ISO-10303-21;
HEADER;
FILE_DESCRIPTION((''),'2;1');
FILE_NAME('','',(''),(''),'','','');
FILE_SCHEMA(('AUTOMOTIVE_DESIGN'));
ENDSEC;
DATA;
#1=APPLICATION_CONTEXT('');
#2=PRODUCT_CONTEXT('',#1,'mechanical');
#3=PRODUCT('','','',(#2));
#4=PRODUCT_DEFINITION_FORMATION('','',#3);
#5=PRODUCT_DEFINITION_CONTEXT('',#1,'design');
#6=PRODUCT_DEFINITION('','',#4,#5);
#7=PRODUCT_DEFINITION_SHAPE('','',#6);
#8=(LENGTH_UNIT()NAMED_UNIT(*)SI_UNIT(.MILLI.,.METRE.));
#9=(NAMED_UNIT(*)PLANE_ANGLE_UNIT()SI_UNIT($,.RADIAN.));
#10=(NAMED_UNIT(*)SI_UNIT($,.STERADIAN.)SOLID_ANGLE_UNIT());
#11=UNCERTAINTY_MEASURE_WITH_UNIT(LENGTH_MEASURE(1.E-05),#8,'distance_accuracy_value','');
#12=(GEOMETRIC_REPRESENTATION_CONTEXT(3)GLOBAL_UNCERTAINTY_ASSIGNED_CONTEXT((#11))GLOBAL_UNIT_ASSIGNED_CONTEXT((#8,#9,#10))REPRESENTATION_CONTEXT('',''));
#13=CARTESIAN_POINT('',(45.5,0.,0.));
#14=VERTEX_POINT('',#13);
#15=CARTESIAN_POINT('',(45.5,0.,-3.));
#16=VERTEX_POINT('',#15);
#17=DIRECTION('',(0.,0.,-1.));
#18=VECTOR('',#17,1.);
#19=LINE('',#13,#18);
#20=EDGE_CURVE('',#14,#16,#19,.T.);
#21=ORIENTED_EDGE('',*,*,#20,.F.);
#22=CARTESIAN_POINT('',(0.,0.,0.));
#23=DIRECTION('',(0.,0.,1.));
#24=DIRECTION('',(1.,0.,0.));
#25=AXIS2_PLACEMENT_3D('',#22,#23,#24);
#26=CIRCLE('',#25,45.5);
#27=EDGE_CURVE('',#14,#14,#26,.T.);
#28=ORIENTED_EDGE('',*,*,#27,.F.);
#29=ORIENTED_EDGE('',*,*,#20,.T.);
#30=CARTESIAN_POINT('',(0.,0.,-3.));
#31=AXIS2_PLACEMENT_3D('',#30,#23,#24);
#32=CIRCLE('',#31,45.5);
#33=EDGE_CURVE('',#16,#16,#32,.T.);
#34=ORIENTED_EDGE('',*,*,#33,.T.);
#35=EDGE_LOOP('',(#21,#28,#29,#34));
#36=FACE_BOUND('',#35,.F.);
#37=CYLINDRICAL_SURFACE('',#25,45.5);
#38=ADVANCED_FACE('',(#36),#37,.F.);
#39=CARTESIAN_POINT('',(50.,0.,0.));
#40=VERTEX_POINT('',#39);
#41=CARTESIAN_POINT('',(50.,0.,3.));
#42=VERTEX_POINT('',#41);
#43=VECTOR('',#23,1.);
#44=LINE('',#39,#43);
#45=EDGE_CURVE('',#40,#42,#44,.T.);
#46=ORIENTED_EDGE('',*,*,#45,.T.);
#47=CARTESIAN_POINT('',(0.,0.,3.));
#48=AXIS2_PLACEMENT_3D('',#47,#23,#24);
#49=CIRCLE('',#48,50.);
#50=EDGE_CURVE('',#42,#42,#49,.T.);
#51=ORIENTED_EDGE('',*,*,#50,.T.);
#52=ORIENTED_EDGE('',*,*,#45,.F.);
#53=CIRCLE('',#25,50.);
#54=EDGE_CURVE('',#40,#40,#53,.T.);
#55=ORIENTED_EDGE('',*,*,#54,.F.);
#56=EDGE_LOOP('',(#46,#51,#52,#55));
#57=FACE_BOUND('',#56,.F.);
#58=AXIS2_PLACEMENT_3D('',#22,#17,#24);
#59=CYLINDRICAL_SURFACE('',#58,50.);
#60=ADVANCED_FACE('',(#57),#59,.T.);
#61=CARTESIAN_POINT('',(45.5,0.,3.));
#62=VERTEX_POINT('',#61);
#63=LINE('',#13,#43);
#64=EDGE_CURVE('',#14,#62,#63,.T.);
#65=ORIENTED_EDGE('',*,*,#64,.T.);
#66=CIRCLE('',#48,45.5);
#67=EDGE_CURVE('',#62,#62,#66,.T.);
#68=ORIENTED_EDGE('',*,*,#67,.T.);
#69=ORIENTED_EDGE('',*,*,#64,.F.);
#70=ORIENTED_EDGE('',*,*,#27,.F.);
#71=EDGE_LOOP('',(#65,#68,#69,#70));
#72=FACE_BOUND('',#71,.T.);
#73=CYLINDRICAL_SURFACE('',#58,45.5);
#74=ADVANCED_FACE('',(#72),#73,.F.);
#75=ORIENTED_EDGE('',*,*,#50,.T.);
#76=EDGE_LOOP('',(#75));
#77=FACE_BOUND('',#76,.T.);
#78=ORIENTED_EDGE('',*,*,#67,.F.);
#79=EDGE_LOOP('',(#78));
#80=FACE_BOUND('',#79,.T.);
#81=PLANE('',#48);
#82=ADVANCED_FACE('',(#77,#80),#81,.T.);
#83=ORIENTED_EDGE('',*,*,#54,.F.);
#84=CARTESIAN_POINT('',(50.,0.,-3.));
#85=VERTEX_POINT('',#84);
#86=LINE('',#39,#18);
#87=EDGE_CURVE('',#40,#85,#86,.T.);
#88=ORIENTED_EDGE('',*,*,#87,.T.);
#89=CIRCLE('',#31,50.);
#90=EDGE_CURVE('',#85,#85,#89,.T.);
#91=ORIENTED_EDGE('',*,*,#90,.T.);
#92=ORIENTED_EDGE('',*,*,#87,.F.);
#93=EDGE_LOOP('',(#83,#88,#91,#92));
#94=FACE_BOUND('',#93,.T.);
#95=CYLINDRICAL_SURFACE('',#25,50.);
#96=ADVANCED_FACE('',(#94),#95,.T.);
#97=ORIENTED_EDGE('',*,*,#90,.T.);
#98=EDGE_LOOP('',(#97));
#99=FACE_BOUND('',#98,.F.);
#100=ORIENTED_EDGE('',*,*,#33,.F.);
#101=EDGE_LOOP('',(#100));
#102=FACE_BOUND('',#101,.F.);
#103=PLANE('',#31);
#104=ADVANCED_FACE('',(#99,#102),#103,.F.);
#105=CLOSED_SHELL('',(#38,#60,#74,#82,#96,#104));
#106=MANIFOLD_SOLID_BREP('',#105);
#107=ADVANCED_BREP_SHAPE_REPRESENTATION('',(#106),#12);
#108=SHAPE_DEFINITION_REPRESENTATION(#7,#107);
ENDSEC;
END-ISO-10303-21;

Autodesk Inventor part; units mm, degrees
ref_plane "YZ Plane" through (0, 0, 0) normal (1, 0, 0) x (0, 1, 0)
ref_plane "XZ Plane" through (0, 0, 0) normal (0, 1, 0) x (-1, 0, 0)
ref_plane "XY Plane" through (0, 0, 0) normal (0, 0, 1) x (1, 0, 0)
sketch "Sketch1" plane through (0, 0, 0) normal (0, 0, 1) x (1, 0, 0)
  circle A0 centre (0, 0) radius 45.5
  circle A1 centre (0, 0) radius 50
  dimension "d0" = 100
  dimension "d1" = 91
extrude "Extrusion1" add sketch "Sketch1" along normal mid plane 6
properties part number "Uszczelka pokrywy" material "Rubber"
